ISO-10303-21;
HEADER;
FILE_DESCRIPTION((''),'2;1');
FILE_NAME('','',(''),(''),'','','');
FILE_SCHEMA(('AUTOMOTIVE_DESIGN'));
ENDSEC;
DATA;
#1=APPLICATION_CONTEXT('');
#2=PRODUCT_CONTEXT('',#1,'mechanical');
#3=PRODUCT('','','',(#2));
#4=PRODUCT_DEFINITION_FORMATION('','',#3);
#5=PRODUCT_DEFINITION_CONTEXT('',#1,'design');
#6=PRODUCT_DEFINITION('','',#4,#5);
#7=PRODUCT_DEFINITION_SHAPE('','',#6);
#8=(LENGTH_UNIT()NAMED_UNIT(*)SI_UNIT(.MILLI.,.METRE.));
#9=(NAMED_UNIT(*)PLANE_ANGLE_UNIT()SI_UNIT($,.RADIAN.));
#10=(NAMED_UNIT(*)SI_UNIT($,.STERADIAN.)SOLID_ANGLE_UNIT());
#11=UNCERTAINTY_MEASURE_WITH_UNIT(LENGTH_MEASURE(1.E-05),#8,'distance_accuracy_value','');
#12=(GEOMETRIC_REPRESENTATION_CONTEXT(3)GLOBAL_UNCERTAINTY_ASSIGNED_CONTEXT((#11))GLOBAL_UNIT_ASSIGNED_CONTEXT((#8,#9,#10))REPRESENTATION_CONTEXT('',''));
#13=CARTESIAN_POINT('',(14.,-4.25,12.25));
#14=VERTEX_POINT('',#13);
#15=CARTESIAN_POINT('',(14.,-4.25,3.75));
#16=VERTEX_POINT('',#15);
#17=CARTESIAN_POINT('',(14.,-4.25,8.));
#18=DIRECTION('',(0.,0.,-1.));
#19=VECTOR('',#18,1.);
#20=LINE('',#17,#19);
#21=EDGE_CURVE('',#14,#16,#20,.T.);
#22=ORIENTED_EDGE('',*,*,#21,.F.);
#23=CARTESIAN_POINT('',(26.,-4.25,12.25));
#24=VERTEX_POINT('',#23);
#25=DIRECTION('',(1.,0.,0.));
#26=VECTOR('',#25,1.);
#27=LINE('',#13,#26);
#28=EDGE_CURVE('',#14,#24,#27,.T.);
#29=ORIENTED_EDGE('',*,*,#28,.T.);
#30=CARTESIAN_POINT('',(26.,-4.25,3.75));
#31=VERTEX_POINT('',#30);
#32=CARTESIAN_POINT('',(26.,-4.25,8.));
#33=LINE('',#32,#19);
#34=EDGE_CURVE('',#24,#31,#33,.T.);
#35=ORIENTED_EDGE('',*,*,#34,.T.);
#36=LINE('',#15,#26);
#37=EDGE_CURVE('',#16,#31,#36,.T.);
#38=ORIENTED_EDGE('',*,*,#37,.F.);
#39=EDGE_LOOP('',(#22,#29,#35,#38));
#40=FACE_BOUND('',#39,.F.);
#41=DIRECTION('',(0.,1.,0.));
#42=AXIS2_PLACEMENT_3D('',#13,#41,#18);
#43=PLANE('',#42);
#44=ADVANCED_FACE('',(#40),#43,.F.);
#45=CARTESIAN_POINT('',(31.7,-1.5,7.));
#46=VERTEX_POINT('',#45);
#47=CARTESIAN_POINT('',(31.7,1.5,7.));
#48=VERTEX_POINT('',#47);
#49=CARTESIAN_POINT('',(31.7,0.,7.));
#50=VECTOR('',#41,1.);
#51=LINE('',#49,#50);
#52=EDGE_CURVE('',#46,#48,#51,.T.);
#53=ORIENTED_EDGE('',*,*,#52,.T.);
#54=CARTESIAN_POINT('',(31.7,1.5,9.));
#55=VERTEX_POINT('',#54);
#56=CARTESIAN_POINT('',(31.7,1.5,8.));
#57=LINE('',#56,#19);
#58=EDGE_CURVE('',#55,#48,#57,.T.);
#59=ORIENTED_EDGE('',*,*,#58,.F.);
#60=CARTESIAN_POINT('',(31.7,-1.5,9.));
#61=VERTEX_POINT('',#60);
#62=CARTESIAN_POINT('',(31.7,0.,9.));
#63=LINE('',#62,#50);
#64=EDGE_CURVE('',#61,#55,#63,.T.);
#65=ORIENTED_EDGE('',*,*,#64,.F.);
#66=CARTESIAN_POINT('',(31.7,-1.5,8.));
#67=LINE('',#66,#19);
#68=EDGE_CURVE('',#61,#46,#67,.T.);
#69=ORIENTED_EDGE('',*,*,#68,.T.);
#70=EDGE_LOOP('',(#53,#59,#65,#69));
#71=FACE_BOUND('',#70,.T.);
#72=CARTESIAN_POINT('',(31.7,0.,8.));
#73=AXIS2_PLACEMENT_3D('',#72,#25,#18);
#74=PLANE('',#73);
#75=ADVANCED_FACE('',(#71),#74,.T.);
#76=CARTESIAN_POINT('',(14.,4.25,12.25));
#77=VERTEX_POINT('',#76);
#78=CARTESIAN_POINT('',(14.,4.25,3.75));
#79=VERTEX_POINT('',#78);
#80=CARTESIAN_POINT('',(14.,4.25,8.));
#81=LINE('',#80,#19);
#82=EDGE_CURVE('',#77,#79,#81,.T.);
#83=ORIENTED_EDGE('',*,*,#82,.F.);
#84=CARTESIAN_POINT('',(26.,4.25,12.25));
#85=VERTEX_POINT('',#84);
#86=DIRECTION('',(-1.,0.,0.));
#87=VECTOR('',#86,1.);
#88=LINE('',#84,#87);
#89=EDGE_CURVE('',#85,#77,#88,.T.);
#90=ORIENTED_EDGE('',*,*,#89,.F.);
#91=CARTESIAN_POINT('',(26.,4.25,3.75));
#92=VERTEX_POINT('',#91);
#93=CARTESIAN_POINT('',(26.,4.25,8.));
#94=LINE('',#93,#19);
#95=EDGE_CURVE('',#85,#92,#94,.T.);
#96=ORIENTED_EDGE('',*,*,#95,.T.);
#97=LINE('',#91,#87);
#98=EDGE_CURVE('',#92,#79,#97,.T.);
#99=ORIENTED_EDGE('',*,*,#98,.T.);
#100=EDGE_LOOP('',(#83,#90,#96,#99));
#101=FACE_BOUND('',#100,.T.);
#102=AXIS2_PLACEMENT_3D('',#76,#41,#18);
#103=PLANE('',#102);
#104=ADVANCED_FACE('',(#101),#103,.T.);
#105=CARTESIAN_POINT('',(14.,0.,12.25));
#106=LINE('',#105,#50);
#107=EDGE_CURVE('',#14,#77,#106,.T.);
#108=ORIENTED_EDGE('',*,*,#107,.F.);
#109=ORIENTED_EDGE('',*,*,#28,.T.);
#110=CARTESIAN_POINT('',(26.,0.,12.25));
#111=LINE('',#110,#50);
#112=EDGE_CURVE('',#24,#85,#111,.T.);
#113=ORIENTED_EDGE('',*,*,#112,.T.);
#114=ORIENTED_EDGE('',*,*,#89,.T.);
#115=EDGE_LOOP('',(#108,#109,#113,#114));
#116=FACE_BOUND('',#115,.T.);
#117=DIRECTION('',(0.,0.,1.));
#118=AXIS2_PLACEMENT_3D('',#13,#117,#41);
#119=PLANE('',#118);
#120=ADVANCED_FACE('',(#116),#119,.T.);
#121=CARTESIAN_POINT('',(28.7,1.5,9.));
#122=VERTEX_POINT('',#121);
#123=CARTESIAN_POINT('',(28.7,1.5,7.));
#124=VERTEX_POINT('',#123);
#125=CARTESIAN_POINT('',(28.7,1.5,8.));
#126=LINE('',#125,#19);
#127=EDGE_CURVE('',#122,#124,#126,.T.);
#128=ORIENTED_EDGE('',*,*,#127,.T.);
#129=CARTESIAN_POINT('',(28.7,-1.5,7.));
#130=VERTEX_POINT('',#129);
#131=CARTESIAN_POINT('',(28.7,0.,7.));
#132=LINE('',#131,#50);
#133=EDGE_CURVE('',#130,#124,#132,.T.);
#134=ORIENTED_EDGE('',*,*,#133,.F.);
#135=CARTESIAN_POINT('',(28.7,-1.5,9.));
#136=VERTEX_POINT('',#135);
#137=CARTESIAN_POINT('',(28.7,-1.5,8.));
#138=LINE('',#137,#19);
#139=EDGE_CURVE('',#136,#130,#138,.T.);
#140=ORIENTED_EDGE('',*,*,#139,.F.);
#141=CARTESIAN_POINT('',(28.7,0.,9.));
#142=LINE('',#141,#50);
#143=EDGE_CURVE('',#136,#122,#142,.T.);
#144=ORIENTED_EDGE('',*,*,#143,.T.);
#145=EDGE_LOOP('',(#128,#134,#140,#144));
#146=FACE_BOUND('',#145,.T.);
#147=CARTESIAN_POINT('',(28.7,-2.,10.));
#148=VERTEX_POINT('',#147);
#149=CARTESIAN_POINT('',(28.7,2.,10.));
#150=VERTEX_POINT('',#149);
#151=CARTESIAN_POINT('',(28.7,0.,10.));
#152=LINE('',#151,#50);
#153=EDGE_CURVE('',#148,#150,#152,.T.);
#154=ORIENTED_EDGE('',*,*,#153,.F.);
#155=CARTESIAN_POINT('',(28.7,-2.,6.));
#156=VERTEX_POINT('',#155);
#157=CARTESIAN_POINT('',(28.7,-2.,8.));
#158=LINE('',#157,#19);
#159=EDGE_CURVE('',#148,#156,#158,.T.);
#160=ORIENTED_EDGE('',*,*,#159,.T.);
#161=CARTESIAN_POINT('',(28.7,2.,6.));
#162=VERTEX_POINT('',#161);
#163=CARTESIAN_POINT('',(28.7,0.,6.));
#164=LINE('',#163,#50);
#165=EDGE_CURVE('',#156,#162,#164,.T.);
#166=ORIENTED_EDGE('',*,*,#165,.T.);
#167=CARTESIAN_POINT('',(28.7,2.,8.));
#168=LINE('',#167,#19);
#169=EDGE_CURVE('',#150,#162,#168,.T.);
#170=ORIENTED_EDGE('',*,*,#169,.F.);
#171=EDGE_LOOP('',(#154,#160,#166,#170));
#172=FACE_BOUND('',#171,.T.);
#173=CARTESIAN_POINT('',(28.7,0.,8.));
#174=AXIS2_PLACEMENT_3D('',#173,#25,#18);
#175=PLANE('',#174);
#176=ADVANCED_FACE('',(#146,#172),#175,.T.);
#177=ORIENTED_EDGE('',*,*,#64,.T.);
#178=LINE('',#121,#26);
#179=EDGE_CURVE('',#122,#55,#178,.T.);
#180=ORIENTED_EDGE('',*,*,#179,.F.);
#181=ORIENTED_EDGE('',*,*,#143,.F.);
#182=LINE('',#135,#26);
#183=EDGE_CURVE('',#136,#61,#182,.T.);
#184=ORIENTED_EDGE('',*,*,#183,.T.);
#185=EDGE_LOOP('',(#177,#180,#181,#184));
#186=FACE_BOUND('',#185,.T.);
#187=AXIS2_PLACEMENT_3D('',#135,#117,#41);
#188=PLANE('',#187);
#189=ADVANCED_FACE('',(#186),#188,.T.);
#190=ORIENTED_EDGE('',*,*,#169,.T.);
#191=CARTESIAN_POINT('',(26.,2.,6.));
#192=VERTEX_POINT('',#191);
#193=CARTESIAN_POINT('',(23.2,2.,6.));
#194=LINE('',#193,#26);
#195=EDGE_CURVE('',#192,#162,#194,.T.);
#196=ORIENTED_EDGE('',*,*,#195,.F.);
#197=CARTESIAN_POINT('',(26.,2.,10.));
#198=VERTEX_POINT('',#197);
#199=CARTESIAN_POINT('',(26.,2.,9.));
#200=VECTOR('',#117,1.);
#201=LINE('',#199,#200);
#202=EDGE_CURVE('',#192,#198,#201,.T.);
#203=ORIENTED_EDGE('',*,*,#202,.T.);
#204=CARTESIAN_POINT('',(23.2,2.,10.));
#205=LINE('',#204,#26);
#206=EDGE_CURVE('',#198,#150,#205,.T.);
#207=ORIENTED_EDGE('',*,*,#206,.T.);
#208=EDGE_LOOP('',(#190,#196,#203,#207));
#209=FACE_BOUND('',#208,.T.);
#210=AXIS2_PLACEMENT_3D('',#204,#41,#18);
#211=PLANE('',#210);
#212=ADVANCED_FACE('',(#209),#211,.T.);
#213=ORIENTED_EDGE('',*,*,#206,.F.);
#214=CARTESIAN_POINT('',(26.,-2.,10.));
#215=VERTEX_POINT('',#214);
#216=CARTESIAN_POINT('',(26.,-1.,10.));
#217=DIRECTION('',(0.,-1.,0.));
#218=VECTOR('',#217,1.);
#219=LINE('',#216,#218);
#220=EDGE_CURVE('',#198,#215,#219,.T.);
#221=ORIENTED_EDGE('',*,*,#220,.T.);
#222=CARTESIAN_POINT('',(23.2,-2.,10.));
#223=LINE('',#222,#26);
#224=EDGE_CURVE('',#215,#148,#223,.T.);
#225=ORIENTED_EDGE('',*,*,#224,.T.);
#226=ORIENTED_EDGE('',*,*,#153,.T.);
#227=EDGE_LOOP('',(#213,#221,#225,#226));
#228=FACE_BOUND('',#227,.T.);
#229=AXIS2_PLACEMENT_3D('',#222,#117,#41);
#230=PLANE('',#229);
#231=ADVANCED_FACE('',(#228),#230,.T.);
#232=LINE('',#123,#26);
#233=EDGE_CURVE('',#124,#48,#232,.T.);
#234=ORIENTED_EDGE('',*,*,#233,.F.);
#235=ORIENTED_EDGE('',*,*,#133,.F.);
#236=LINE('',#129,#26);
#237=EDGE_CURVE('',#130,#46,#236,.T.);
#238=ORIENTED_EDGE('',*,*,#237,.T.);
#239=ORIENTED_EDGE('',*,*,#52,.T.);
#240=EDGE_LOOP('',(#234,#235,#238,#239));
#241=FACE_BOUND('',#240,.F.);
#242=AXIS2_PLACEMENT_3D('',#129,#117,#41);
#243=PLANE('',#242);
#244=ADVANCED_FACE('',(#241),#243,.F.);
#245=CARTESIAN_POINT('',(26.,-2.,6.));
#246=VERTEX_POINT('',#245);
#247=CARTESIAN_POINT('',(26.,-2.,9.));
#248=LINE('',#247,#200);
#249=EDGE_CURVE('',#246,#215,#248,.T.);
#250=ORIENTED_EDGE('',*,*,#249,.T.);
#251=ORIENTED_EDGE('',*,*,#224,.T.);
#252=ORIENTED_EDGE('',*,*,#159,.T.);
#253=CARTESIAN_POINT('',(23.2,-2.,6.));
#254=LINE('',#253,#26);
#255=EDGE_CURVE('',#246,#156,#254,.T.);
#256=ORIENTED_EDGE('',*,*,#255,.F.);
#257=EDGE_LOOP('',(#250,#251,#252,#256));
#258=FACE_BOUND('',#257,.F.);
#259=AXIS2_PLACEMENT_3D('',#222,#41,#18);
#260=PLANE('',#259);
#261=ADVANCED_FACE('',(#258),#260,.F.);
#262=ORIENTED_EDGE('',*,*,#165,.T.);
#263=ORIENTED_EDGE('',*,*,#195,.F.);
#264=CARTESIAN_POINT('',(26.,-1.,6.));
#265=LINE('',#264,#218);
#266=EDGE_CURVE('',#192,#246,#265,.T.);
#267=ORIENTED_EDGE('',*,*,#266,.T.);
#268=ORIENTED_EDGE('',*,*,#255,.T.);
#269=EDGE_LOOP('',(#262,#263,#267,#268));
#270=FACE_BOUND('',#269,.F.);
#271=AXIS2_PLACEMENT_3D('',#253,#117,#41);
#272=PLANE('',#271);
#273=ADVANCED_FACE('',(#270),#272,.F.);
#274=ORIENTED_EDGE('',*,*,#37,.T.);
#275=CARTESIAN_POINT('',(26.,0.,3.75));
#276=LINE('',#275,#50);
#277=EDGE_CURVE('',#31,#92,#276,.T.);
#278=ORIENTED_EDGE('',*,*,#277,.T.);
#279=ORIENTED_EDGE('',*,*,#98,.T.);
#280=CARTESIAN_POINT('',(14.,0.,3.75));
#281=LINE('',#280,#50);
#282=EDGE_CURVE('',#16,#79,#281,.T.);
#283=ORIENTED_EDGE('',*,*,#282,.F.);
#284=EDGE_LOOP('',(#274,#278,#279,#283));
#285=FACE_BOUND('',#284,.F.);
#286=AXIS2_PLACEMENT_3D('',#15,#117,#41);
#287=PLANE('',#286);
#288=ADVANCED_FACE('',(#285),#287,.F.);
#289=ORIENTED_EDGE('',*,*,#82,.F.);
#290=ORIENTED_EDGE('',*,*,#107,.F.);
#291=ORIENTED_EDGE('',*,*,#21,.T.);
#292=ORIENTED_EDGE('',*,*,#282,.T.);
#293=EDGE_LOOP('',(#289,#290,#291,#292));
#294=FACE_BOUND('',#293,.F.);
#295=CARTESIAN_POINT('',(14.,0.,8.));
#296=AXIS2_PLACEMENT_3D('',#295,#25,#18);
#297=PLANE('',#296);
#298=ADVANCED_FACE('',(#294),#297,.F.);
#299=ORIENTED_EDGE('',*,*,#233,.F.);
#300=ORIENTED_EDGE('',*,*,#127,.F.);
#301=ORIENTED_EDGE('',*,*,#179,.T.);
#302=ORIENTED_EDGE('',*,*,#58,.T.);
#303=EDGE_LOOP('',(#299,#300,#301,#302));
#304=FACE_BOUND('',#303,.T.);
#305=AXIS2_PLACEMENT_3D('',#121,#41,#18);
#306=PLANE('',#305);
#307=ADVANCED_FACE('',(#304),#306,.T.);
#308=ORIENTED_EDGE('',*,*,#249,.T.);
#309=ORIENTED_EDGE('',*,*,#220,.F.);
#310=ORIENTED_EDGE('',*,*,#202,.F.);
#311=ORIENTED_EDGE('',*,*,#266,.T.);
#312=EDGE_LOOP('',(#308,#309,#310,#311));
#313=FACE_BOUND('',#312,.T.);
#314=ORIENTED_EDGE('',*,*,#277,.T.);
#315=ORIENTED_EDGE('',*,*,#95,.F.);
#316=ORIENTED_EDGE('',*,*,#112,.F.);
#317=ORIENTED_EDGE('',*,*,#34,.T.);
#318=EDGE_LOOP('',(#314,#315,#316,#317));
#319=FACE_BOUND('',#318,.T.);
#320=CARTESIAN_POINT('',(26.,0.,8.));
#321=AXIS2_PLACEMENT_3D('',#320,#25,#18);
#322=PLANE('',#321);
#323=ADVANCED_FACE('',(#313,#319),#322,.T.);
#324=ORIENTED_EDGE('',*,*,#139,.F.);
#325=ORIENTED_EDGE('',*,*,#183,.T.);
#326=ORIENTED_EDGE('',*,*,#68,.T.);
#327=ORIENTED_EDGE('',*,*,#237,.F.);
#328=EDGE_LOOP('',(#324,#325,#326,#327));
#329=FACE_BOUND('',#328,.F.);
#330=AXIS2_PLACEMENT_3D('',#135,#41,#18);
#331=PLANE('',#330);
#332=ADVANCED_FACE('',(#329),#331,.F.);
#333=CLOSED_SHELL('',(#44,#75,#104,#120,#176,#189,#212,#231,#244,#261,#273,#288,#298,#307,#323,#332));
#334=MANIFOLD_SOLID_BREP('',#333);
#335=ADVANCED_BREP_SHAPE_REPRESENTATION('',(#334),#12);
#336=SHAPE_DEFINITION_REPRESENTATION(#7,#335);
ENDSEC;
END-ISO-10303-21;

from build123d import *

# Parameters (mm, degrees)
BOX075_W                = 4
BOX075_H                = 4
BOX075_DEPTH            = 5.5
BOX076_W                = 8.5
BOX076_H                = 8.5
BOX076_DEPTH            = 3.5
BOX078_W                = 2
BOX078_H                = 3
BOX078_DEPTH            = 3
BOX074_W                = 8.5
BOX074_H                = 8.5
BOX074_DEPTH            = 8.5
BODY004_PLACEMENT_ANGLE = 90


with BuildPart() as plunger:
    # Box075 → Box075 (new body)
    with BuildSketch(Plane(origin=(-2, -2, 5.7), x_dir=(1, 0, 0), z_dir=(0, 0, 1))):
        with Locations((2, 2)):
            Rectangle(BOX075_W, BOX075_H)
    extrude(amount=BOX075_DEPTH)


with BuildPart() as pins:
    # Box076 → Box076 (new body)
    with BuildSketch(Plane(origin=(-4.25, -4.25, -3.5), x_dir=(1, 0, 0), z_dir=(0, 0, 1))):
        with Locations((4.25, 4.25)):
            Rectangle(BOX076_W, BOX076_H)
    extrude(amount=BOX076_DEPTH)


with BuildPart() as plunger001:
    # Box078 → Box078 (new body)
    with BuildSketch(Plane(origin=(-1, -1.5, 11.2), x_dir=(1, 0, 0), z_dir=(0, 0, 1))):
        with Locations((1, 1.5)):
            Rectangle(BOX078_W, BOX078_H)
    extrude(amount=BOX078_DEPTH)


with BuildPart() as switch:
    # Box074 → Box074 (new body)
    with BuildSketch(Plane(origin=(-4.25, -4.25, 0), x_dir=(1, 0, 0), z_dir=(0, 0, 1))):
        with Locations((4.25, 4.25)):
            Rectangle(BOX074_W, BOX074_H)
    extrude(amount=BOX074_DEPTH)

    # Fusion024: union plunger, pins, plunger001
    add(plunger.part)
    add(pins.part)
    add(plunger001.part)


with BuildPart() as switch_1:
    # Body004 placement: moved
    add(switch.part.moved(Location((17.5, 0, 8))).rotate(Axis((17.5, 0, 8), (0, 1, 0)), BODY004_PLACEMENT_ANGLE))


solid = switch_1.part
